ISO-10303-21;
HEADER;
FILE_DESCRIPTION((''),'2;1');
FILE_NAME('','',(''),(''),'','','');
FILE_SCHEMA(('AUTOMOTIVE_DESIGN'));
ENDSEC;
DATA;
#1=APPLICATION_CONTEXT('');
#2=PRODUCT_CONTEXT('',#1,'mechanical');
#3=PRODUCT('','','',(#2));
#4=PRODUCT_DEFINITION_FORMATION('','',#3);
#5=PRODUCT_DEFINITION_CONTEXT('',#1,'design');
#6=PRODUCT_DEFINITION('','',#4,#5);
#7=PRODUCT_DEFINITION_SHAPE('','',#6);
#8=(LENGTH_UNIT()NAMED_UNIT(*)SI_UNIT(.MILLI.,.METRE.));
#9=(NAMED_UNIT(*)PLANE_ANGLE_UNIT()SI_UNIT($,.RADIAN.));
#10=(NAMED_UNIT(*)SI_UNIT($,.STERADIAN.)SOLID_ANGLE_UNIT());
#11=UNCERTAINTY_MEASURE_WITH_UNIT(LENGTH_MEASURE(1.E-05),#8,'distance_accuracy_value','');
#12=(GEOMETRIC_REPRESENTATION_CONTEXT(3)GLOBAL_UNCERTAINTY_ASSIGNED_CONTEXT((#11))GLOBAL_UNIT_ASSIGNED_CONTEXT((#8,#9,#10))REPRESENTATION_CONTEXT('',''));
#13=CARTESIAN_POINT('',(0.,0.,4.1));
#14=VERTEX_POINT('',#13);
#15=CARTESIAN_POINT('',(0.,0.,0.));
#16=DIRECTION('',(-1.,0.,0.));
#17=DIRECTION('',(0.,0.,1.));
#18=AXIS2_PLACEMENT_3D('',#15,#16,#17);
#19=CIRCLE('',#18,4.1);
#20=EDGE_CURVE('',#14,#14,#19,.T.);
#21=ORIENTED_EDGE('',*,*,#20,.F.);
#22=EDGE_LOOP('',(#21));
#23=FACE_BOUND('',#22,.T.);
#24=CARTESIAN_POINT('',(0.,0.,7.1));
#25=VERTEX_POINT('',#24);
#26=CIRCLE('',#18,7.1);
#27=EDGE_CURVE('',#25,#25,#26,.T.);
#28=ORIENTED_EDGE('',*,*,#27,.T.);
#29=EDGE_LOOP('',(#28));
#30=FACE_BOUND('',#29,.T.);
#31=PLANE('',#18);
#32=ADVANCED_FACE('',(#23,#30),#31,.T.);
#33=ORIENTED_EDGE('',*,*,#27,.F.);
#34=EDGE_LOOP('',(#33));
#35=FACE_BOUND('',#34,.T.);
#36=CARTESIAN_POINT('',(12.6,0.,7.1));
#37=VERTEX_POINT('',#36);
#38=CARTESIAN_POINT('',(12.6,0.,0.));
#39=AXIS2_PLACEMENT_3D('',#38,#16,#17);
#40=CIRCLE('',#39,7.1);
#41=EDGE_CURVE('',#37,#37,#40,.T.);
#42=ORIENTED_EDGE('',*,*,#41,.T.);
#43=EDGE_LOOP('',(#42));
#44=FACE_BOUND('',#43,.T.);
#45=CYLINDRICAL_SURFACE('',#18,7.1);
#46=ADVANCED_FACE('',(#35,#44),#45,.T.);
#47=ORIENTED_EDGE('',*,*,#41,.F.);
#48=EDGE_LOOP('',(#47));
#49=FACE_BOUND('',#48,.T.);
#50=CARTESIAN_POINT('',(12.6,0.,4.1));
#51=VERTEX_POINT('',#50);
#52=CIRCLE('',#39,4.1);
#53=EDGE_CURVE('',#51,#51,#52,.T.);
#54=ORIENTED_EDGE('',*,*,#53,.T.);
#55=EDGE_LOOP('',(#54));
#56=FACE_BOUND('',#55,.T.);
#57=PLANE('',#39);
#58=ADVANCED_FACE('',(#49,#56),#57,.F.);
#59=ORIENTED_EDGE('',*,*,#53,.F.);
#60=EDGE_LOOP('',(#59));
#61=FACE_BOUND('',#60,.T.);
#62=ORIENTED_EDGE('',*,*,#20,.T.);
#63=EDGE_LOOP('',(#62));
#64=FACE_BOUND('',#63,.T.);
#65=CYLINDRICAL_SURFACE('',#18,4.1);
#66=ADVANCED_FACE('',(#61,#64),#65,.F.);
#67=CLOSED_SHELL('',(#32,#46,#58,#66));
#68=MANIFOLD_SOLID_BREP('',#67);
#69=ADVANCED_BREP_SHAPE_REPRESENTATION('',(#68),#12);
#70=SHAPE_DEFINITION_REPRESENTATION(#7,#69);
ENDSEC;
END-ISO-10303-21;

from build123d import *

# Parameters (mm, degrees)
SKETCH1_W = 12.6
SKETCH1_H = 3


with BuildPart() as part:
    # Sketch1 → Revolve1 (revolve)
    with BuildSketch(Plane(origin=(0, 0, 0), x_dir=(1, 0, 0), z_dir=(0, 1, 0))):
        with Locations((6.3, -5.6)):
            Rectangle(SKETCH1_W, SKETCH1_H)
    revolve(axis=Axis((0, 0, 0), (1, 0, 0)))


solid = part.part
